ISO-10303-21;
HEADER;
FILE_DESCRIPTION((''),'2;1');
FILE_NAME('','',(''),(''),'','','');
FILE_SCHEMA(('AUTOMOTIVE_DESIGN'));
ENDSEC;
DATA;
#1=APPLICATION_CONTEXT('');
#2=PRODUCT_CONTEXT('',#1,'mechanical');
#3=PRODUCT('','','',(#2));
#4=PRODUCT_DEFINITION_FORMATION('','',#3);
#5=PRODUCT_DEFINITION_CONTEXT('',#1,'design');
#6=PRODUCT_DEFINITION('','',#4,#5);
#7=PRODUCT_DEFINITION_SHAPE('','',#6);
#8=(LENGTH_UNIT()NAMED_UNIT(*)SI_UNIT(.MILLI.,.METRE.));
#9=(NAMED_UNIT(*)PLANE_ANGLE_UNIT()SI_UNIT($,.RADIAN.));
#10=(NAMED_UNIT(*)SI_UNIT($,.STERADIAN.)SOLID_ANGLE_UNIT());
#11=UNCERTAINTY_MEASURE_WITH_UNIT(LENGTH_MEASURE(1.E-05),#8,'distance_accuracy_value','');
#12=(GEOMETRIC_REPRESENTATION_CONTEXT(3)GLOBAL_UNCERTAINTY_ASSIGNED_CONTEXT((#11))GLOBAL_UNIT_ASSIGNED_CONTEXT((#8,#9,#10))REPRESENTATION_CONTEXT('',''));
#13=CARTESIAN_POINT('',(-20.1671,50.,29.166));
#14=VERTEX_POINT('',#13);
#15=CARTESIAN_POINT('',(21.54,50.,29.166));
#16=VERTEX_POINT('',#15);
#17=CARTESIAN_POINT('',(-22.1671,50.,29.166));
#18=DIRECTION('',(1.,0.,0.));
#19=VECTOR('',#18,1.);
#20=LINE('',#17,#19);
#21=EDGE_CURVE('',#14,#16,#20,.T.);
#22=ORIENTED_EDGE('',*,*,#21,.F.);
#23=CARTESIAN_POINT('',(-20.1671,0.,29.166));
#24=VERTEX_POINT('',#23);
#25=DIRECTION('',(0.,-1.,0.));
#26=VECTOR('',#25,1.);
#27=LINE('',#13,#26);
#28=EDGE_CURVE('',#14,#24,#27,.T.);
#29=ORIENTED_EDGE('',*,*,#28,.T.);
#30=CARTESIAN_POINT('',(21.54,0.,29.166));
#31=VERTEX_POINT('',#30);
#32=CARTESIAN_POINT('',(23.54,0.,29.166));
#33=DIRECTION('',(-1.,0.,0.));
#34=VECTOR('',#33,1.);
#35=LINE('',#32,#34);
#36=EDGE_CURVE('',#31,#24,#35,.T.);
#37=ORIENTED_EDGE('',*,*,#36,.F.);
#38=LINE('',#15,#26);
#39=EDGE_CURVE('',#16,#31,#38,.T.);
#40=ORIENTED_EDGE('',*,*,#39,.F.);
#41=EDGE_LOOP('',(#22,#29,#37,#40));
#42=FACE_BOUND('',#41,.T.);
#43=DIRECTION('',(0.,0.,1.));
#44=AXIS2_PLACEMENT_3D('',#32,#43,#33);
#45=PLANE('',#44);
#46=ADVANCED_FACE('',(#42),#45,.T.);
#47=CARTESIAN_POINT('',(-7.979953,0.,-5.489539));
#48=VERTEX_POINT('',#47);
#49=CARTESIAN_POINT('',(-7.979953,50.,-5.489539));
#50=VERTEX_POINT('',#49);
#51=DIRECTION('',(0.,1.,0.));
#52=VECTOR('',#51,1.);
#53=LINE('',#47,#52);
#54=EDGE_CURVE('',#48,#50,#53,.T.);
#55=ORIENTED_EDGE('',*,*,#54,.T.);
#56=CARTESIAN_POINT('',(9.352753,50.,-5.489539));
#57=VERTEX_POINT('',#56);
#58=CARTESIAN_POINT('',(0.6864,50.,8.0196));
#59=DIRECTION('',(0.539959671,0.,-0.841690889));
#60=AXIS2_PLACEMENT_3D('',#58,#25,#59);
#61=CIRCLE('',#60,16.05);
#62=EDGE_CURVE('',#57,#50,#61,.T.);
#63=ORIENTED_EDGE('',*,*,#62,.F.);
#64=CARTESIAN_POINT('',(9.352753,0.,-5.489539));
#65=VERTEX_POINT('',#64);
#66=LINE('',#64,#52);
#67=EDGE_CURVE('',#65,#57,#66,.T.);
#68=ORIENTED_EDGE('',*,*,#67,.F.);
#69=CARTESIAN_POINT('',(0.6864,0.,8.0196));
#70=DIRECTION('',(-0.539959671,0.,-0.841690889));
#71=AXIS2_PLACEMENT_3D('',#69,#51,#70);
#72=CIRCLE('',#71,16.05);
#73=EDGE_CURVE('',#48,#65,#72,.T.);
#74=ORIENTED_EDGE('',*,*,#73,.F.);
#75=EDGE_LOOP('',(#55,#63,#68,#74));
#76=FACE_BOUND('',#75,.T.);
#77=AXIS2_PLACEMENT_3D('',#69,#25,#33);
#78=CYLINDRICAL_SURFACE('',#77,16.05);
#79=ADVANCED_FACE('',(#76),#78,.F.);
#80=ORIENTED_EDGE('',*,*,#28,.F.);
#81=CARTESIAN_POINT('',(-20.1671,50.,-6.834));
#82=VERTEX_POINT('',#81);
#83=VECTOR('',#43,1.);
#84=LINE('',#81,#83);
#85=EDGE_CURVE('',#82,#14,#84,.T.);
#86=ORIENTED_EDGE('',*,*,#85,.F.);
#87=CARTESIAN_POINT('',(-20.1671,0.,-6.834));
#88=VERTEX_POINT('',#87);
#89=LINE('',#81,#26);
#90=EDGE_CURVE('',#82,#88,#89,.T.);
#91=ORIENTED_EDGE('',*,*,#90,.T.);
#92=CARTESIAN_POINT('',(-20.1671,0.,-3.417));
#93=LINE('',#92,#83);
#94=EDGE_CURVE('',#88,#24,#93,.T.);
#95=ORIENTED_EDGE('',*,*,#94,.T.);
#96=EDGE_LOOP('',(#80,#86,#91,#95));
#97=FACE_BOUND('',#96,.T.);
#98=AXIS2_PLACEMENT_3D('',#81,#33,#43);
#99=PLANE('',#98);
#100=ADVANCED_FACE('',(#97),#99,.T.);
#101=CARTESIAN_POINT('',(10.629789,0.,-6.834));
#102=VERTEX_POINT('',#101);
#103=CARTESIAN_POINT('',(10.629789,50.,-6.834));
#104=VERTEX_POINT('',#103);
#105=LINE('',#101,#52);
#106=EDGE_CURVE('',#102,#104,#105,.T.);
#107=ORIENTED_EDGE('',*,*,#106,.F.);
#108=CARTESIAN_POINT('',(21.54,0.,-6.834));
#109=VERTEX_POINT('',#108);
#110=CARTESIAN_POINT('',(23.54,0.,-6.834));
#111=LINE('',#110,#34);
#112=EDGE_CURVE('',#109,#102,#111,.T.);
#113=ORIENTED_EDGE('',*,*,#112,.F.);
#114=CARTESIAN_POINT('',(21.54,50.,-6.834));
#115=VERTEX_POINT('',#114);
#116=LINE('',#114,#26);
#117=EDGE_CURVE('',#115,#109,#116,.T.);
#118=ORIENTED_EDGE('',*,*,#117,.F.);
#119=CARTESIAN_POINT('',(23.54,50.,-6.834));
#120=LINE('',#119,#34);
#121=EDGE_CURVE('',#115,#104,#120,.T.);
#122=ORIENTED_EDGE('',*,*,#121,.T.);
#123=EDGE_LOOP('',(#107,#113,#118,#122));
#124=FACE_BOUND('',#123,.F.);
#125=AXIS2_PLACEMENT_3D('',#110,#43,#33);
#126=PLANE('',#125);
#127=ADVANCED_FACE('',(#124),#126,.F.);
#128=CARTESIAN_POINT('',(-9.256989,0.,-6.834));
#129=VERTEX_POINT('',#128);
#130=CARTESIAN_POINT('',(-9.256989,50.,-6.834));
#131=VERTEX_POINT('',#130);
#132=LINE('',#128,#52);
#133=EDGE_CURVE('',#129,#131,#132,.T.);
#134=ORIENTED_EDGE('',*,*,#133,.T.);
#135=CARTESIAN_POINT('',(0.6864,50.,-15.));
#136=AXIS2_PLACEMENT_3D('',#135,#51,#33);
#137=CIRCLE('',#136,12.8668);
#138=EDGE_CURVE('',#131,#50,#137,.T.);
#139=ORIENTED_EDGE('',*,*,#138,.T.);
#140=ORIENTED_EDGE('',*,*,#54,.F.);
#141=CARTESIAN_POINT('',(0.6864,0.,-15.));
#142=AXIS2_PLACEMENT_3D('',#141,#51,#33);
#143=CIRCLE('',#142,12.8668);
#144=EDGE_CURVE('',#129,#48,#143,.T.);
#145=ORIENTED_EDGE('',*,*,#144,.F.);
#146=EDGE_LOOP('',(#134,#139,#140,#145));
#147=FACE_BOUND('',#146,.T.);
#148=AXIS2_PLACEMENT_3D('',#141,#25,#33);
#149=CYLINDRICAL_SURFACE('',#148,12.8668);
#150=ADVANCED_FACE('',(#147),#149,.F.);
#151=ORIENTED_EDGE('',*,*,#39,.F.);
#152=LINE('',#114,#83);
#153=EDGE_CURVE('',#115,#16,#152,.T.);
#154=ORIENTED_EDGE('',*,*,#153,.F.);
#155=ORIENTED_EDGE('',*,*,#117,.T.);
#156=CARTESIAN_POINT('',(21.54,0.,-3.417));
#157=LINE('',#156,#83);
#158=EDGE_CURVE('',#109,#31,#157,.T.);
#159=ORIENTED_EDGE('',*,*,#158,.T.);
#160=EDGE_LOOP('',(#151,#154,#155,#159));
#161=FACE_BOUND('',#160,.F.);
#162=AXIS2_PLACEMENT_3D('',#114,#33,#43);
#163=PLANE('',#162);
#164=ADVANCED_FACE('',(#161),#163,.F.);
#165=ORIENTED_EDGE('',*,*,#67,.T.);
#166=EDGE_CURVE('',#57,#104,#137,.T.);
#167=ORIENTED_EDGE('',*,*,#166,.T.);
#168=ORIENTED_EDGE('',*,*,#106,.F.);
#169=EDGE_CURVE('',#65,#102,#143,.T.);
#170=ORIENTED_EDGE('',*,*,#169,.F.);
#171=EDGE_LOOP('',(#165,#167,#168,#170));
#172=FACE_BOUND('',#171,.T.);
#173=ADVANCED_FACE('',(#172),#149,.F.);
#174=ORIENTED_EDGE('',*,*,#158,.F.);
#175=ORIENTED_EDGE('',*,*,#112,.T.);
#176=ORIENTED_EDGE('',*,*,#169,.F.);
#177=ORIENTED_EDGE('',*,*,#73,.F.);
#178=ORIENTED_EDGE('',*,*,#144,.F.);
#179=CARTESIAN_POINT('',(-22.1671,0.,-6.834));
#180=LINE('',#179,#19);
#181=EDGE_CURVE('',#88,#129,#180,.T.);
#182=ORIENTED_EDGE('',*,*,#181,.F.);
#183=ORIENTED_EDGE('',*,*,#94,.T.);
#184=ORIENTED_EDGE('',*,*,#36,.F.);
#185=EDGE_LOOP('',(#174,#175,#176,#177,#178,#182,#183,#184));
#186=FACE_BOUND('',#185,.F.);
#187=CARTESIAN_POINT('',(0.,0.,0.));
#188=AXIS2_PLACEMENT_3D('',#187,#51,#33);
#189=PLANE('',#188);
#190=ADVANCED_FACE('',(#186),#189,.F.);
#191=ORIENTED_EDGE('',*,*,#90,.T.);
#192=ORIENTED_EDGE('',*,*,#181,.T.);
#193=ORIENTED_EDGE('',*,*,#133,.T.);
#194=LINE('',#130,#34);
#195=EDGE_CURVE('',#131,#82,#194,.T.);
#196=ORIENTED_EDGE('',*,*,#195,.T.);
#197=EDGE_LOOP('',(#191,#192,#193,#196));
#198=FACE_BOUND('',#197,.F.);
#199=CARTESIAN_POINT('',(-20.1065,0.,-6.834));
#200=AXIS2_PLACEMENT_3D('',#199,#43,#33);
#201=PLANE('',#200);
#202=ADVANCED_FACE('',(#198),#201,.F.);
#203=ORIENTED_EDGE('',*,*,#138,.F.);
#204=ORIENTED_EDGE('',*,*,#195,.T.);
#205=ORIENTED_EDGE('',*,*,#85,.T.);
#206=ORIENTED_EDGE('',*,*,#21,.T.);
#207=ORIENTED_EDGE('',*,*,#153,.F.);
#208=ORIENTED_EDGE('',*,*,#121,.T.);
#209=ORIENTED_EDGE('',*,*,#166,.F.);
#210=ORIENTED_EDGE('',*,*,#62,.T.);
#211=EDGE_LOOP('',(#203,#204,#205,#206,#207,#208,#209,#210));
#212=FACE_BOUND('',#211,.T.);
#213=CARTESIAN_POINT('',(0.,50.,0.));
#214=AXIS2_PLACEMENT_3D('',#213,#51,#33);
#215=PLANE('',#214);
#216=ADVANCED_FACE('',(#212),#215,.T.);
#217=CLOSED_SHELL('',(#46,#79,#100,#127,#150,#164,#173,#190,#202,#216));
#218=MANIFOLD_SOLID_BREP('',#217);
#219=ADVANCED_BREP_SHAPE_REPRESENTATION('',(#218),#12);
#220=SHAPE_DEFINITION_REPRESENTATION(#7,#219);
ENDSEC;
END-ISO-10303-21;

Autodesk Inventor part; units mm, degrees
ref_plane "YZ Plane" through (0, 0, 0) normal (1, 0, 0) x (0, 1, 0)
ref_plane "XZ Plane" through (0, 0, 0) normal (0, 1, 0) x (-1, 0, 0)
ref_plane "XY Plane" through (0, 0, 0) normal (0, 0, 1) x (1, 0, 0)
sketch "Sketch1" plane through (0, 0, 0) normal (0, 1, 0) x (-1, 0, 0)
  line L0 (-23.54, 18.8125) -> (-23.54, -4.7733)
  line L1 (-23.54, 18.8125) -> (-23.54, 29.166)
  line L2 (-23.54, 29.166) -> (22.1671, 29.166)
  line L3 (22.1671, 29.166) -> (22.1671, -6.834)
  line L4 (18.6136, -6.834) -> (20.1065, -6.834)
  line L5 (22.1671, -4.7733) -> (22.1671, 18.8125)
  line L6 (-22.4793, 29.166) -> (21.1065, 29.166)
  line L7 (-23.54, 18.8125) -> (-23.54, -6.834)
  line L8 (-23.54, -6.834) -> (22.1671, -6.834)
  circle A0 centre (-0.6864, 8.0196) radius 16.05
  line L9 (-23.54, 29.166) -> (22.1671, 29.166)
  line L10 (22.1671, 29.166) -> (22.1671, 20.7196)
  line L11 (22.1671, 20.7196) -> (-23.54, 20.7196)
  line L12 (-23.54, 20.7196) -> (-23.54, 29.166)
  circle A1 centre (-0.6864, -15) radius 12.8668
  point P0 (0, 0)
  point P1 (7.98, -5.4895)
  point P2 (9.257, -6.834)
  point P3 (22.1671, 20.7196)
  point P4 (-23.54, 20.7196)
  point P5 (-23.54, -4.7733)
  point P6 (-10.6298, -6.834)
  point P7 (-9.3528, -5.4895)
  dimension "d0" = 0
  dimension "d1" = 32.1
  dimension "d2" = 0
  dimension "d3" = 0
extrude "Extrusion1" add sketch "Sketch1" along normal blind 50 contours L1 L11 A0 A1 L8 L7 L0 | L1 L2 L3 L11 A0 | L11 L3 L8 L4 A1 A0
sketch "Sketch5" plane through (0, 50, 0) normal (0, 1, 0) x (1, 0, 0)
  line L0 (23.54, -29.166) -> (23.54, 6.834) projected
  line L1 (23.54, 6.834) -> (21.54, 6.834)
  line L2 (21.54, 6.834) -> (21.54, -29.166)
  line L3 (21.54, -29.166) -> (23.54, -29.166)
  line L4 (23.54, -29.166) -> (23.54, 6.834)
  line L5 (-22.1671, 6.834) -> (-22.1671, -29.166) projected
  line L6 (-22.1671, 6.834) -> (-20.1671, 6.834)
  line L7 (-20.1671, 6.834) -> (-20.1671, -29.166)
  line L8 (-20.1671, -29.166) -> (-22.1671, -29.166)
  line L9 (-22.1671, -29.166) -> (-22.1671, 6.834)
  point P0 (0, 0)
  dimension "d16" = 2
  dimension "d17" = 2
extrude "Extrusion3" cut sketch "Sketch5" against normal blind 100
properties part number "SBR20_BearingBlock"
